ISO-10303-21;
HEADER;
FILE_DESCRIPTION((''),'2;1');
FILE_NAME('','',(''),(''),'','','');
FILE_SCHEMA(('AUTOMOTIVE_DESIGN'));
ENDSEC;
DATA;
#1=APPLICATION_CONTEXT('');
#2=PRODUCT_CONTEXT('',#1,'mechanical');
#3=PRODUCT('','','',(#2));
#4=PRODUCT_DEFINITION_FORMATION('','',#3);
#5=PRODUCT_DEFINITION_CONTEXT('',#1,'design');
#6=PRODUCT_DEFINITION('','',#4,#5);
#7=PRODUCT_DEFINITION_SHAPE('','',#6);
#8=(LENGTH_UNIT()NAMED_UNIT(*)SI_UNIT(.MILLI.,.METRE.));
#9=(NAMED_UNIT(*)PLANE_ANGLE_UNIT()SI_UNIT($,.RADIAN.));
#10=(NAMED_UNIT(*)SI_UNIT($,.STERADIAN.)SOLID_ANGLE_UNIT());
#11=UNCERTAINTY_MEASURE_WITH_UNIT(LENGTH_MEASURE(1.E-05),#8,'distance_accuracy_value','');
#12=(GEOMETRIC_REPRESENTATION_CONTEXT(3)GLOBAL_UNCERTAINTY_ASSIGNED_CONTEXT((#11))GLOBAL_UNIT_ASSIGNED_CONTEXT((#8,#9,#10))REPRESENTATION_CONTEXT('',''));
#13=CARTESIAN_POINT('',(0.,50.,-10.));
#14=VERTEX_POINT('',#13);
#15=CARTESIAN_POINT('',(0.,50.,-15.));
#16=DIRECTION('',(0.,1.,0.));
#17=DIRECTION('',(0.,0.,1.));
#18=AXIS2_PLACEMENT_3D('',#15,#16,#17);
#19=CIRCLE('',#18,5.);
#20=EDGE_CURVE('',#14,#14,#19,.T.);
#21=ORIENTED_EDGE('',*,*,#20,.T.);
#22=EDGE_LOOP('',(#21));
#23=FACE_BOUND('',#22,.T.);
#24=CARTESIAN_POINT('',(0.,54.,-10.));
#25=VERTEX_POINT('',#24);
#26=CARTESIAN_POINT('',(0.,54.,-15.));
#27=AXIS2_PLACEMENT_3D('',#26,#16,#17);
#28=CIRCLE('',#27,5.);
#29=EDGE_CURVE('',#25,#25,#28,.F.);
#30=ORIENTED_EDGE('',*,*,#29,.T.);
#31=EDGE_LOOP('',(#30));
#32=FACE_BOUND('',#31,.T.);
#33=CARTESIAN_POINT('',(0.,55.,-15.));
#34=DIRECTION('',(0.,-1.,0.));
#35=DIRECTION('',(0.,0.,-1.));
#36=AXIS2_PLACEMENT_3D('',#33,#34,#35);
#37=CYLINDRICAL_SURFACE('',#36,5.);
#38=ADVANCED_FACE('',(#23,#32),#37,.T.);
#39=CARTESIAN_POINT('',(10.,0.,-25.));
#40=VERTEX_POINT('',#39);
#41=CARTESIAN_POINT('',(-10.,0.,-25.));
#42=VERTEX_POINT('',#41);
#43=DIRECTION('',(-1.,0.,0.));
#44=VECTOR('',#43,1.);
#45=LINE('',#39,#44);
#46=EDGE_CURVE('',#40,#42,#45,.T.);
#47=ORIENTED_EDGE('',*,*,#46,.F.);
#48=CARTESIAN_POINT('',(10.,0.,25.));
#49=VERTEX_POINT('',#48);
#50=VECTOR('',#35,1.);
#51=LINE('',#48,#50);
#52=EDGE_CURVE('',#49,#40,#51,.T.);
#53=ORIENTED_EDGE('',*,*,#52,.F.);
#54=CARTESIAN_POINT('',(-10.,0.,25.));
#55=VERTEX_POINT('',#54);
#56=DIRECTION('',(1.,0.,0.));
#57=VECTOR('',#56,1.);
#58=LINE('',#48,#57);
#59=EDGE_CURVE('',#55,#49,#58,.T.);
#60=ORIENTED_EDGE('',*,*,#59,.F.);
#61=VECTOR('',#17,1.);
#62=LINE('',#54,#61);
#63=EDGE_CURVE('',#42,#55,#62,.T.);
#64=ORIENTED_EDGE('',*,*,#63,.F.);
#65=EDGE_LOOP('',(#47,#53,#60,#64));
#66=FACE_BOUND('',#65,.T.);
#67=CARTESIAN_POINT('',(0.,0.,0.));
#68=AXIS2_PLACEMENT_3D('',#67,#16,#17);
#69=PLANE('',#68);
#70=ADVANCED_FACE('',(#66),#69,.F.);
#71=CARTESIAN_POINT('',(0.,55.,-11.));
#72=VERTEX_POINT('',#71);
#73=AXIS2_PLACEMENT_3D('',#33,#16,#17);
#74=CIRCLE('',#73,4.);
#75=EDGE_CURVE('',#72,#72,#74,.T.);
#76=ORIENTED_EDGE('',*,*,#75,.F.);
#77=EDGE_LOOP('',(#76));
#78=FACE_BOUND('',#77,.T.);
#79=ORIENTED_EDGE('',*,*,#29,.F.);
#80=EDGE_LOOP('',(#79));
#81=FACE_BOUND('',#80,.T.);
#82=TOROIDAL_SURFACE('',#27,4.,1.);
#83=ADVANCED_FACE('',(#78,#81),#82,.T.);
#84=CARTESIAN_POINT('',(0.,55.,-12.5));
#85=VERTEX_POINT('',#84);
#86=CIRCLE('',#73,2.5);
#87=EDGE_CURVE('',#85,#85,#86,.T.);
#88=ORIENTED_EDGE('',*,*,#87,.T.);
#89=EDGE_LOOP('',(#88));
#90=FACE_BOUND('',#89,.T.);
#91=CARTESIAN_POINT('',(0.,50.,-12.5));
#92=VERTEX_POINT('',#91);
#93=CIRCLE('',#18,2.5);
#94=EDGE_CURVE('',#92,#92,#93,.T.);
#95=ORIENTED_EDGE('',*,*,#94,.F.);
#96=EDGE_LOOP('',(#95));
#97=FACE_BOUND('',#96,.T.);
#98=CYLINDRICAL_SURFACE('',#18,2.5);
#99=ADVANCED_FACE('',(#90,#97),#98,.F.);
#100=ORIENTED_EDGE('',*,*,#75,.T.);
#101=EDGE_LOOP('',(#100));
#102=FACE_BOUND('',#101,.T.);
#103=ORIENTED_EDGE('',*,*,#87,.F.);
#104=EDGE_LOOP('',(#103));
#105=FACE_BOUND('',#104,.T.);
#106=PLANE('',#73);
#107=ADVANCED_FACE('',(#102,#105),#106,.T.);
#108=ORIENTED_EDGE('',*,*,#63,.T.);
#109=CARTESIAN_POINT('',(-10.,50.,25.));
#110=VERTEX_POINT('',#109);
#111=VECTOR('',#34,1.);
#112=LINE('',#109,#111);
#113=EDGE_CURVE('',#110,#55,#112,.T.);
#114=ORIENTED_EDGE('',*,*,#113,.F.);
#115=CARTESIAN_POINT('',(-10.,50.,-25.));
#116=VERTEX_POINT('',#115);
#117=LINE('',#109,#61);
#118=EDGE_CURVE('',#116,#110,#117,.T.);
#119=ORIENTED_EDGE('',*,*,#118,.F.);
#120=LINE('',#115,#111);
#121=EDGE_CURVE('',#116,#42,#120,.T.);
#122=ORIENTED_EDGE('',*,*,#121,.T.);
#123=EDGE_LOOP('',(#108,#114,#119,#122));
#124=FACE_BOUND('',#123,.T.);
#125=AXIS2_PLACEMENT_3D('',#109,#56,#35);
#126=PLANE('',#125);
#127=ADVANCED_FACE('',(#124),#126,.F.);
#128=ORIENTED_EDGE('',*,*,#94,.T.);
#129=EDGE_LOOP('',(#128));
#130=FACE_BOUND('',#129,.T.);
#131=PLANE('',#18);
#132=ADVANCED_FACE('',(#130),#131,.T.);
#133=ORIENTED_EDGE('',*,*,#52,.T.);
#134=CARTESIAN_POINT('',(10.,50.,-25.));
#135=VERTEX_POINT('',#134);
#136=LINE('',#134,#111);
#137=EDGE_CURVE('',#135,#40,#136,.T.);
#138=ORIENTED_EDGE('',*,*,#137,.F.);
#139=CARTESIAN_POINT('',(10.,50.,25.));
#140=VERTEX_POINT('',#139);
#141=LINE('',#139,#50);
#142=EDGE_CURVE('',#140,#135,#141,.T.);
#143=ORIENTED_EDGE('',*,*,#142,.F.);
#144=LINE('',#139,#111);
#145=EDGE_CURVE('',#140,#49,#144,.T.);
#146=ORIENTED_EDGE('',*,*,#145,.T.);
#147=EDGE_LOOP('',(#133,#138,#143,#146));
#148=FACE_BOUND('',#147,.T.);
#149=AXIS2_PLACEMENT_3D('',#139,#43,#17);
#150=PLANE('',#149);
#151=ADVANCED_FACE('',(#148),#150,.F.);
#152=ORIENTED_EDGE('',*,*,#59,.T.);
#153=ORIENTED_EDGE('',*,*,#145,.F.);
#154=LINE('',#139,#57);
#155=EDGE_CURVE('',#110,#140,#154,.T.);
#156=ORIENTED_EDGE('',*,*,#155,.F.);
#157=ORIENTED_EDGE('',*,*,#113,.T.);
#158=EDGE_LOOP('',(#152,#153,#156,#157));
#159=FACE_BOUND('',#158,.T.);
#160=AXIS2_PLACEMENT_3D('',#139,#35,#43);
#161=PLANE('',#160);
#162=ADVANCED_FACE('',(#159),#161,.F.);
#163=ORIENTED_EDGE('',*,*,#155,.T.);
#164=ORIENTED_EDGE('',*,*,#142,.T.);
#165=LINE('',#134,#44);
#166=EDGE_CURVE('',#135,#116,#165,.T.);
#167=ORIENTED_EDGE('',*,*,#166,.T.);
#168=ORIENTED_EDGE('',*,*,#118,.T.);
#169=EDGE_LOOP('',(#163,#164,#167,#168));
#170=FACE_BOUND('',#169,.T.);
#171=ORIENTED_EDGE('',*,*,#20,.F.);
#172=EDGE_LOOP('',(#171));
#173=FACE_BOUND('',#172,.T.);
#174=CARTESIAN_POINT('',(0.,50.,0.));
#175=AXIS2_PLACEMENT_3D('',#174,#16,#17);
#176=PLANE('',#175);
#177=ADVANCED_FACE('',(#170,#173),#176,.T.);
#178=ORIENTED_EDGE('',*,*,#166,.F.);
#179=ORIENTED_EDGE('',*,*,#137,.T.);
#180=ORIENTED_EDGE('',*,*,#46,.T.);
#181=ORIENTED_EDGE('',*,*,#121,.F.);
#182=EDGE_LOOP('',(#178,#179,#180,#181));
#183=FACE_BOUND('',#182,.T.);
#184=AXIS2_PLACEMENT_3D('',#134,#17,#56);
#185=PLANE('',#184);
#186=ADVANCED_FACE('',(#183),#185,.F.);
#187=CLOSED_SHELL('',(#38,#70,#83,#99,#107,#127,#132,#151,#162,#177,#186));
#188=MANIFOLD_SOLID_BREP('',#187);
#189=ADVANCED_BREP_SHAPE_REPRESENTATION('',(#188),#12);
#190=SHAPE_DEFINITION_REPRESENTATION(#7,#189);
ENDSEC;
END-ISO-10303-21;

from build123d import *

# Parameters (mm, degrees)
SKETCH1_W           = 20
SKETCH1_H           = 50
BOSS_EXTRUDE1_DEPTH = 50
SKETCH2_R           = 5
BOSS_EXTRUDE2_DEPTH = 5
SKETCH3_R           = 2.5
CUT_EXTRUDE1_DEPTH  = 5
FILLET1_R           = 1


with BuildPart() as part:
    # Sketch1 → Boss-Extrude1 (new body)
    with BuildSketch(Plane(origin=(0, 0, 0), x_dir=(1, 0, 0), z_dir=(0, 1, 0))):
        Rectangle(SKETCH1_W, SKETCH1_H)
    extrude(amount=BOSS_EXTRUDE1_DEPTH)

    # Sketch2 → Boss-Extrude2 (add)
    with BuildSketch(Plane(origin=(0, 50, 0), x_dir=(1, 0, 0), z_dir=(0, 1, 0))):
        with Locations(Location((0, 15, 0), (0, 0, 270))):
            Circle(SKETCH2_R)
    extrude(amount=BOSS_EXTRUDE2_DEPTH)

    # Sketch3 → Cut-Extrude1 (cut)
    with BuildSketch(Plane(origin=(0, 55, 0), x_dir=(1, 0, 0), z_dir=(0, 1, 0))):
        with Locations(Location((0, 15, 0), (0, 0, 270))):
            Circle(SKETCH3_R)
    extrude(amount=-CUT_EXTRUDE1_DEPTH, mode=Mode.SUBTRACT)

    # Fillet1
    fillet1_edges = [part.edges().sort_by_distance(p)[0] for p in [
        (0, 55, -20),
    ]]
    fillet(fillet1_edges, radius=FILLET1_R)


solid = part.part
